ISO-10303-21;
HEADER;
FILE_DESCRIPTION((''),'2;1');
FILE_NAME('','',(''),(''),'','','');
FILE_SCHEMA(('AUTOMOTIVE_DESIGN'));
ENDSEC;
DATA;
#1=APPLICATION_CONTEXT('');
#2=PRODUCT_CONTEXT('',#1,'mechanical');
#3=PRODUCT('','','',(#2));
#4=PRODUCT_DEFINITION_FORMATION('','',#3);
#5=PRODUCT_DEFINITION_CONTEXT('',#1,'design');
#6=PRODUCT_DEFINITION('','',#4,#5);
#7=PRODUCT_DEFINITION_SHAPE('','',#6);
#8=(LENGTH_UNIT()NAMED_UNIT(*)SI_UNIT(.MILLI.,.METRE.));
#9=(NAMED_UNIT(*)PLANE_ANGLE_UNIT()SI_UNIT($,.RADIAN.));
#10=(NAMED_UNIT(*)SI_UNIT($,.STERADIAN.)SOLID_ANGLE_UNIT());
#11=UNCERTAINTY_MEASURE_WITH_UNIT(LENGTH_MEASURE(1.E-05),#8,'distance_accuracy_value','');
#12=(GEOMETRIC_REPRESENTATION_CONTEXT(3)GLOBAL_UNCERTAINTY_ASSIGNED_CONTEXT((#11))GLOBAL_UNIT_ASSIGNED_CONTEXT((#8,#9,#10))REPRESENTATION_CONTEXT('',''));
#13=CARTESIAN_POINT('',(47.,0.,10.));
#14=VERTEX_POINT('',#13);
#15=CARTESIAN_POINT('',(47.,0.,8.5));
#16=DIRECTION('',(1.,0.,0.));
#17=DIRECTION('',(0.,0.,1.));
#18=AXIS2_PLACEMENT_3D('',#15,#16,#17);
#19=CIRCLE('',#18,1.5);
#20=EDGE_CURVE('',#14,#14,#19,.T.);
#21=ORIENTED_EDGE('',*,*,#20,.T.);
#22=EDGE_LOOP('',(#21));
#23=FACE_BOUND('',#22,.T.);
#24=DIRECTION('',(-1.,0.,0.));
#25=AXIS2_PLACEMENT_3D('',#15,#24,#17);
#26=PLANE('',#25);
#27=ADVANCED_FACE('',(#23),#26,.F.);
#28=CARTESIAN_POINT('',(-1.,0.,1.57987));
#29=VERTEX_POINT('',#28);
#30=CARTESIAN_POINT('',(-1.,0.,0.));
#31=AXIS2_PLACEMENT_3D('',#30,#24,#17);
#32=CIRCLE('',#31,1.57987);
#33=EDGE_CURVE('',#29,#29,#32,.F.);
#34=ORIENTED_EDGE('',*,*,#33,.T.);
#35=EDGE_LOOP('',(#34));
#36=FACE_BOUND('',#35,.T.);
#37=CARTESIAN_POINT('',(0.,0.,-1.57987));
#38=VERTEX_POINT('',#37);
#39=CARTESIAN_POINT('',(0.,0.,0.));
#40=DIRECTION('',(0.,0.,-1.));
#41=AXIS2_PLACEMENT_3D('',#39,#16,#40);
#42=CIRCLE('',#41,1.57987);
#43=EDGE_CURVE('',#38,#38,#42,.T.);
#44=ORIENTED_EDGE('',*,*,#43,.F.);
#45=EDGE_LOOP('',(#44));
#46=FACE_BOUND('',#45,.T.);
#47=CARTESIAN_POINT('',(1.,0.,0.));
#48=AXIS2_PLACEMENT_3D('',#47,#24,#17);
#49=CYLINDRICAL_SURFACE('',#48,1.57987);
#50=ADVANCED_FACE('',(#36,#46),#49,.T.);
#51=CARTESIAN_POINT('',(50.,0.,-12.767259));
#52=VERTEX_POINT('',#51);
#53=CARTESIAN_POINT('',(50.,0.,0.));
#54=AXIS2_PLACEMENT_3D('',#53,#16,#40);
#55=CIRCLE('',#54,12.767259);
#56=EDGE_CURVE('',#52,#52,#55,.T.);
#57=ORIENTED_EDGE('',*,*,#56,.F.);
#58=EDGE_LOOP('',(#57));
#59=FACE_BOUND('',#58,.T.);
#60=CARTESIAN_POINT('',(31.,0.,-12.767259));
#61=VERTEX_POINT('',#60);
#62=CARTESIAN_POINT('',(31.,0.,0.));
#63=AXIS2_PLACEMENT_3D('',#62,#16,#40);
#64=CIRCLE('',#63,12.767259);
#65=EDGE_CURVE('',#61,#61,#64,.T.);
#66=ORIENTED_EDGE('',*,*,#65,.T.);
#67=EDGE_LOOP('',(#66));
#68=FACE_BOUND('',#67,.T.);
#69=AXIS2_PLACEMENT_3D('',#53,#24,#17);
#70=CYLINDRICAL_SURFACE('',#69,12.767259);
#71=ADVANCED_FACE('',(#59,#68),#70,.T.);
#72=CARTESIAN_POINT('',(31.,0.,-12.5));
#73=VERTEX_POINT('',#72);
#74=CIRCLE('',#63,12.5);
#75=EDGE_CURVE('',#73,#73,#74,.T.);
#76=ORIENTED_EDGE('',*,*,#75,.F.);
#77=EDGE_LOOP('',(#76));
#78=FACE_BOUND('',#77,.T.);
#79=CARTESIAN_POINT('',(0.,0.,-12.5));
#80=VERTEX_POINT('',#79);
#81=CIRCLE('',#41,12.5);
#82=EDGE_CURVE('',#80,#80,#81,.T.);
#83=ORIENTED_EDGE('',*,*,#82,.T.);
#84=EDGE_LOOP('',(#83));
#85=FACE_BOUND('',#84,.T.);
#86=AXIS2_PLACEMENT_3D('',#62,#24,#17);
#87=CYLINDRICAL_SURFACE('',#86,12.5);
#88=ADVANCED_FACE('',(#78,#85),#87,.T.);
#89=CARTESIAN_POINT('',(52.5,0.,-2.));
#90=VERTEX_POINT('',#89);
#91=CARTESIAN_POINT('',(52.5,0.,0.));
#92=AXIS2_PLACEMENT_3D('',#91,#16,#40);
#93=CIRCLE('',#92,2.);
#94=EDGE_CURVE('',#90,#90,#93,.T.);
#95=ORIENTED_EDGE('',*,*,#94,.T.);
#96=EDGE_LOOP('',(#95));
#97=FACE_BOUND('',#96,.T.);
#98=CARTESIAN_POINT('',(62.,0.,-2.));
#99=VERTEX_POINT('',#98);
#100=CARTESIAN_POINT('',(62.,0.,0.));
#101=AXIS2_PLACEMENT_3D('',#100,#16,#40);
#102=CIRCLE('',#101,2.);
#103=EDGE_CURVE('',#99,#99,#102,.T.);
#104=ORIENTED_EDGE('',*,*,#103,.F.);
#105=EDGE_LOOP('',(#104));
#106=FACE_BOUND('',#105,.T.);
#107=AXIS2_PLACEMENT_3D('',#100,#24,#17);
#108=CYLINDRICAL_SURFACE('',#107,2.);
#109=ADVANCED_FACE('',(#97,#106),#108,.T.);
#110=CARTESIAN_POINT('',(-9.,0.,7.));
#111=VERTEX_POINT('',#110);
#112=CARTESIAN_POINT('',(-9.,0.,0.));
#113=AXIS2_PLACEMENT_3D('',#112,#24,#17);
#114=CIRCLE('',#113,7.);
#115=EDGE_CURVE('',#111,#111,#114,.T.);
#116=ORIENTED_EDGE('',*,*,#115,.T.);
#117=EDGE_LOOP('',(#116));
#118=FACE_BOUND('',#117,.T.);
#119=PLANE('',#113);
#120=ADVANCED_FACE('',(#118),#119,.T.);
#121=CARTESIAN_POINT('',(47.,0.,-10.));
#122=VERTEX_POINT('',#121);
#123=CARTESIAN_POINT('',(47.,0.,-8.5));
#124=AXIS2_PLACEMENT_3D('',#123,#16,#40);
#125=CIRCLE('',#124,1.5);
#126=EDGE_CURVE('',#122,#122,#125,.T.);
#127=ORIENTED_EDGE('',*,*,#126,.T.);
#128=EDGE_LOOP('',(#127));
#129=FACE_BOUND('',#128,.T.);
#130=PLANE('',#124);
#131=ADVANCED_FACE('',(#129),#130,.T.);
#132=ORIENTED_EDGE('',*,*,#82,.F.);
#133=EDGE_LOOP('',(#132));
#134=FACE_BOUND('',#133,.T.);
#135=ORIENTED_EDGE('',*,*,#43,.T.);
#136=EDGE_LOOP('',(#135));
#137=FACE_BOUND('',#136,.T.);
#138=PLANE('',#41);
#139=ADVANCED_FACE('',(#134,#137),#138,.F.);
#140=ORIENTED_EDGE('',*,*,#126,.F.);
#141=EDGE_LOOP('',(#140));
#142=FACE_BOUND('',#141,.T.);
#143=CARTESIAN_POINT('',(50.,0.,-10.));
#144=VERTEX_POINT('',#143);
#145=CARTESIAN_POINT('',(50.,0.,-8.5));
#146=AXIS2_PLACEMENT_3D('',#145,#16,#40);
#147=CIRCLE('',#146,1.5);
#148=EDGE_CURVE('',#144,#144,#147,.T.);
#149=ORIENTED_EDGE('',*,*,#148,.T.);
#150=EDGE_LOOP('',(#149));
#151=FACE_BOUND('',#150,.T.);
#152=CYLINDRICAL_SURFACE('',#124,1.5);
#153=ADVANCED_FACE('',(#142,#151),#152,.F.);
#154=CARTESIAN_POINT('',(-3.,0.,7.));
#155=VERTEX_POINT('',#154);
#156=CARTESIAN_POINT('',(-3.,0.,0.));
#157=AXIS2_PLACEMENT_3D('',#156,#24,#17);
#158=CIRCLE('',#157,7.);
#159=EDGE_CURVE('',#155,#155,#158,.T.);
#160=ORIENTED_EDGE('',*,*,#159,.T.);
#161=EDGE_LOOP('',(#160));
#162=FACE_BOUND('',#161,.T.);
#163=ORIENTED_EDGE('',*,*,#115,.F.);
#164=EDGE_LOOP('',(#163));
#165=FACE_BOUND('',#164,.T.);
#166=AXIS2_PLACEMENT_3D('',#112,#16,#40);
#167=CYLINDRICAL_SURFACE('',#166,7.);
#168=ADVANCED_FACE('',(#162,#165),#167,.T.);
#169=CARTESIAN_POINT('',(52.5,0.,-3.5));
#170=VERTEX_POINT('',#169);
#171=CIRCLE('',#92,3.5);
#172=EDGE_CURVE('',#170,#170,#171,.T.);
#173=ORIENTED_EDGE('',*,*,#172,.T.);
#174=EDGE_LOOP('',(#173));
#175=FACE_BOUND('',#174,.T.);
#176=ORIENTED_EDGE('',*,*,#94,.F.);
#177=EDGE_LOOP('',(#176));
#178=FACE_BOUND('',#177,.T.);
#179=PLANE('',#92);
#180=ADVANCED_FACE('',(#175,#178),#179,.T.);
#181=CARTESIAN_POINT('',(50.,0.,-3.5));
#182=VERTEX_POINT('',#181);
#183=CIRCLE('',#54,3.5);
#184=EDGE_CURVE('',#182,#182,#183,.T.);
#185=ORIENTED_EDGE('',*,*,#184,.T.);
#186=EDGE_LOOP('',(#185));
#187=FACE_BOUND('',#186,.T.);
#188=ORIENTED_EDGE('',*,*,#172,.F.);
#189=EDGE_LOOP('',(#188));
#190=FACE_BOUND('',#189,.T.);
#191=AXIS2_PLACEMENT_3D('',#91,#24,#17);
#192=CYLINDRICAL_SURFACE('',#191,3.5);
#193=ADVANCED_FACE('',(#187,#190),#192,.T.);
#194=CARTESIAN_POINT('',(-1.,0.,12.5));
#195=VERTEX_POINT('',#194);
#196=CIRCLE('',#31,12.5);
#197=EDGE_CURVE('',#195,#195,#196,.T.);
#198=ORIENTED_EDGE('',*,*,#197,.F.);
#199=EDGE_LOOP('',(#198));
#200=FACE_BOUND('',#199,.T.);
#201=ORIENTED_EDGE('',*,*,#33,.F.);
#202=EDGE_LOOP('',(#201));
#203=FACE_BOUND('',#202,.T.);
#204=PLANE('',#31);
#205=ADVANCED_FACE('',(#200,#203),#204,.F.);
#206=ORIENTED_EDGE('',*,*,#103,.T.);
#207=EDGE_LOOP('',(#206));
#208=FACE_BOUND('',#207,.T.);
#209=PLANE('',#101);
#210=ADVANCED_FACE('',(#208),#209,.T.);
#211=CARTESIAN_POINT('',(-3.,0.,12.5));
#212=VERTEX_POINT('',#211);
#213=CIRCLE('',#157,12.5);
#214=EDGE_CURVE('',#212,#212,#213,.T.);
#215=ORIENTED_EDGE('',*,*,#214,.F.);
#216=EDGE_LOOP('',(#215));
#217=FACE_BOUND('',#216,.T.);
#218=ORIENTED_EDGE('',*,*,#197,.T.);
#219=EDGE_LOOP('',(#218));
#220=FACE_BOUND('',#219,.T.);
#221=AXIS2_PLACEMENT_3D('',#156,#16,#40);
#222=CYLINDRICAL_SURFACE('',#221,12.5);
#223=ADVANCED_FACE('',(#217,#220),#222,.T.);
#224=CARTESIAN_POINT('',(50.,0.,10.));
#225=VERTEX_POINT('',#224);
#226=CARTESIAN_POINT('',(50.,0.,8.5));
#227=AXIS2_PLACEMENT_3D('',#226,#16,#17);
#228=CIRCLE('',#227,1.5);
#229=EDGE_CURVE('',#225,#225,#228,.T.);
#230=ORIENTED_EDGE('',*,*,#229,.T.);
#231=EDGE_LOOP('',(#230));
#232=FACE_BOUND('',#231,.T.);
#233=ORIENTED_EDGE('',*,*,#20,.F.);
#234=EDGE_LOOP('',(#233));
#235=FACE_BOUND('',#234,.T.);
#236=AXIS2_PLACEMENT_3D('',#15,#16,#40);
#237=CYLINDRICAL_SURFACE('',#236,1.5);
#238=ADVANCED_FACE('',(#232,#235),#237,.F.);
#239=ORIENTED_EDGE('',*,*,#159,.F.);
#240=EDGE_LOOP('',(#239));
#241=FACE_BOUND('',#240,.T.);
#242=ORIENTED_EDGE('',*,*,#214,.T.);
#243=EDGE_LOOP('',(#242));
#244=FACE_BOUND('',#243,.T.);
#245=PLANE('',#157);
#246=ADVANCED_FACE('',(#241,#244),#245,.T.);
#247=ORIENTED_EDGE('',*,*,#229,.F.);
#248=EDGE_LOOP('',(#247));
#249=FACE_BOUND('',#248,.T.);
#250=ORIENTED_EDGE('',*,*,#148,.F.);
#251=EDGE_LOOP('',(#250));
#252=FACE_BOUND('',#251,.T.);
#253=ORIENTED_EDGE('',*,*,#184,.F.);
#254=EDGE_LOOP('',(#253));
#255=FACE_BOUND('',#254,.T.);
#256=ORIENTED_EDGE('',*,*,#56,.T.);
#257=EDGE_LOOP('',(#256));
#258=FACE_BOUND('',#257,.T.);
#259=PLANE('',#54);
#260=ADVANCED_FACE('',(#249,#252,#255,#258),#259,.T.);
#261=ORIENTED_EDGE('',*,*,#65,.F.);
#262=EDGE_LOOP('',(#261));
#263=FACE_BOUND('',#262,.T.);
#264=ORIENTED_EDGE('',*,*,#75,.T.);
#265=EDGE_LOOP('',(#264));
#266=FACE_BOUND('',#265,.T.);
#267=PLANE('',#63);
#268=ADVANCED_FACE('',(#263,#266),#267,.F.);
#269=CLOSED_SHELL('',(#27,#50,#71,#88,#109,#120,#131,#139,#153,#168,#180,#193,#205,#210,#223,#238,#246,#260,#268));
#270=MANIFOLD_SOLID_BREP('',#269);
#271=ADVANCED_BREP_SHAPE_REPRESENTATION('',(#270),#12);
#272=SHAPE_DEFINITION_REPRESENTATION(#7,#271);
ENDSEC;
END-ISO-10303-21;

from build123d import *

# Parameters (mm, degrees)
SKETCH_1_R          = 12.5
EXTRUDE_1_DEPTH     = 31
SKETCH_2_R          = 12.76725859
EXTRUDE_2_DEPTH     = 19
SKETCH_3_R          = 3.5
EXTRUDE_3_DEPTH     = 2.5
SKETCH_4_R          = 2
EXTRUDE_4_DEPTH     = 9.5
EXTRUDE_START       = 1
SKETCH_5_R          = 12.5
EXTRUDE_5_DEPTH     = 2
SKETCH_6_R          = 1.579870025
EXTRUDE_6_DEPTH     = 4
SKETCH_7_R          = 7
EXTRUDE_7_DEPTH     = 6
SKETCH_8_R          = 1.5
CUT_EXTRUDE_1_DEPTH = 3


with BuildPart() as part:
    # 草图1 → 凸台-拉伸1 (new body)
    with BuildSketch(Plane(origin=(0, 0, 0), x_dir=(0, 0, -1), z_dir=(1, 0, 0))):
        Circle(SKETCH_1_R)
    extrude(amount=EXTRUDE_1_DEPTH)

    # 草图2 → 凸台-拉伸2 (add)
    with BuildSketch(Plane(origin=(31, 0, 0), x_dir=(0, 0, -1), z_dir=(1, 0, 0))):
        Circle(SKETCH_2_R)
    extrude(amount=EXTRUDE_2_DEPTH)

    # 草图3 → 凸台-拉伸3 (add)
    with BuildSketch(Plane(origin=(50, 0, 0), x_dir=(0, 0, -1), z_dir=(1, 0, 0))):
        Circle(SKETCH_3_R)
    extrude(amount=EXTRUDE_3_DEPTH)

    # 草图4 → 凸台-拉伸4 (add)
    with BuildSketch(Plane(origin=(52.5, 0, 0), x_dir=(0, 0, -1), z_dir=(1, 0, 0))):
        Circle(SKETCH_4_R)
    extrude(amount=EXTRUDE_4_DEPTH)



with BuildPart() as body_2:
    # 草图5 → 凸台-拉伸5 (new body)
    with BuildSketch(Plane.ZY.offset(EXTRUDE_START)):
        with Locations(Location((0, 0, 0), (0, 0, 180))):
            Circle(SKETCH_5_R)
    extrude(amount=EXTRUDE_5_DEPTH)


with BuildPart() as part_1:
    add(part.part)

    add(body_2.part)  # 凸台-拉伸6 merges body 2
    # 草图6 → 凸台-拉伸6 (add)
    with BuildSketch(Plane.ZY.offset(3)):
        Circle(SKETCH_6_R)
    extrude(amount=-EXTRUDE_6_DEPTH)

    # 草图7 → 凸台-拉伸7 (add)
    with BuildSketch(Plane.ZY.offset(3)):
        Circle(SKETCH_7_R)
    extrude(amount=EXTRUDE_7_DEPTH)

    # 草图8 → 切除-拉伸1 (cut)
    with BuildSketch(Plane(origin=(50, 0, 0), x_dir=(0, 0, -1), z_dir=(1, 0, 0))):
        with Locations((8.5, 0)):
            Circle(SKETCH_8_R)
        with Locations(Location((-8.5, 0, 0), (0, 0, 180))):
            Circle(SKETCH_8_R)
    extrude(amount=-CUT_EXTRUDE_1_DEPTH, mode=Mode.SUBTRACT)


solid = part_1.part
